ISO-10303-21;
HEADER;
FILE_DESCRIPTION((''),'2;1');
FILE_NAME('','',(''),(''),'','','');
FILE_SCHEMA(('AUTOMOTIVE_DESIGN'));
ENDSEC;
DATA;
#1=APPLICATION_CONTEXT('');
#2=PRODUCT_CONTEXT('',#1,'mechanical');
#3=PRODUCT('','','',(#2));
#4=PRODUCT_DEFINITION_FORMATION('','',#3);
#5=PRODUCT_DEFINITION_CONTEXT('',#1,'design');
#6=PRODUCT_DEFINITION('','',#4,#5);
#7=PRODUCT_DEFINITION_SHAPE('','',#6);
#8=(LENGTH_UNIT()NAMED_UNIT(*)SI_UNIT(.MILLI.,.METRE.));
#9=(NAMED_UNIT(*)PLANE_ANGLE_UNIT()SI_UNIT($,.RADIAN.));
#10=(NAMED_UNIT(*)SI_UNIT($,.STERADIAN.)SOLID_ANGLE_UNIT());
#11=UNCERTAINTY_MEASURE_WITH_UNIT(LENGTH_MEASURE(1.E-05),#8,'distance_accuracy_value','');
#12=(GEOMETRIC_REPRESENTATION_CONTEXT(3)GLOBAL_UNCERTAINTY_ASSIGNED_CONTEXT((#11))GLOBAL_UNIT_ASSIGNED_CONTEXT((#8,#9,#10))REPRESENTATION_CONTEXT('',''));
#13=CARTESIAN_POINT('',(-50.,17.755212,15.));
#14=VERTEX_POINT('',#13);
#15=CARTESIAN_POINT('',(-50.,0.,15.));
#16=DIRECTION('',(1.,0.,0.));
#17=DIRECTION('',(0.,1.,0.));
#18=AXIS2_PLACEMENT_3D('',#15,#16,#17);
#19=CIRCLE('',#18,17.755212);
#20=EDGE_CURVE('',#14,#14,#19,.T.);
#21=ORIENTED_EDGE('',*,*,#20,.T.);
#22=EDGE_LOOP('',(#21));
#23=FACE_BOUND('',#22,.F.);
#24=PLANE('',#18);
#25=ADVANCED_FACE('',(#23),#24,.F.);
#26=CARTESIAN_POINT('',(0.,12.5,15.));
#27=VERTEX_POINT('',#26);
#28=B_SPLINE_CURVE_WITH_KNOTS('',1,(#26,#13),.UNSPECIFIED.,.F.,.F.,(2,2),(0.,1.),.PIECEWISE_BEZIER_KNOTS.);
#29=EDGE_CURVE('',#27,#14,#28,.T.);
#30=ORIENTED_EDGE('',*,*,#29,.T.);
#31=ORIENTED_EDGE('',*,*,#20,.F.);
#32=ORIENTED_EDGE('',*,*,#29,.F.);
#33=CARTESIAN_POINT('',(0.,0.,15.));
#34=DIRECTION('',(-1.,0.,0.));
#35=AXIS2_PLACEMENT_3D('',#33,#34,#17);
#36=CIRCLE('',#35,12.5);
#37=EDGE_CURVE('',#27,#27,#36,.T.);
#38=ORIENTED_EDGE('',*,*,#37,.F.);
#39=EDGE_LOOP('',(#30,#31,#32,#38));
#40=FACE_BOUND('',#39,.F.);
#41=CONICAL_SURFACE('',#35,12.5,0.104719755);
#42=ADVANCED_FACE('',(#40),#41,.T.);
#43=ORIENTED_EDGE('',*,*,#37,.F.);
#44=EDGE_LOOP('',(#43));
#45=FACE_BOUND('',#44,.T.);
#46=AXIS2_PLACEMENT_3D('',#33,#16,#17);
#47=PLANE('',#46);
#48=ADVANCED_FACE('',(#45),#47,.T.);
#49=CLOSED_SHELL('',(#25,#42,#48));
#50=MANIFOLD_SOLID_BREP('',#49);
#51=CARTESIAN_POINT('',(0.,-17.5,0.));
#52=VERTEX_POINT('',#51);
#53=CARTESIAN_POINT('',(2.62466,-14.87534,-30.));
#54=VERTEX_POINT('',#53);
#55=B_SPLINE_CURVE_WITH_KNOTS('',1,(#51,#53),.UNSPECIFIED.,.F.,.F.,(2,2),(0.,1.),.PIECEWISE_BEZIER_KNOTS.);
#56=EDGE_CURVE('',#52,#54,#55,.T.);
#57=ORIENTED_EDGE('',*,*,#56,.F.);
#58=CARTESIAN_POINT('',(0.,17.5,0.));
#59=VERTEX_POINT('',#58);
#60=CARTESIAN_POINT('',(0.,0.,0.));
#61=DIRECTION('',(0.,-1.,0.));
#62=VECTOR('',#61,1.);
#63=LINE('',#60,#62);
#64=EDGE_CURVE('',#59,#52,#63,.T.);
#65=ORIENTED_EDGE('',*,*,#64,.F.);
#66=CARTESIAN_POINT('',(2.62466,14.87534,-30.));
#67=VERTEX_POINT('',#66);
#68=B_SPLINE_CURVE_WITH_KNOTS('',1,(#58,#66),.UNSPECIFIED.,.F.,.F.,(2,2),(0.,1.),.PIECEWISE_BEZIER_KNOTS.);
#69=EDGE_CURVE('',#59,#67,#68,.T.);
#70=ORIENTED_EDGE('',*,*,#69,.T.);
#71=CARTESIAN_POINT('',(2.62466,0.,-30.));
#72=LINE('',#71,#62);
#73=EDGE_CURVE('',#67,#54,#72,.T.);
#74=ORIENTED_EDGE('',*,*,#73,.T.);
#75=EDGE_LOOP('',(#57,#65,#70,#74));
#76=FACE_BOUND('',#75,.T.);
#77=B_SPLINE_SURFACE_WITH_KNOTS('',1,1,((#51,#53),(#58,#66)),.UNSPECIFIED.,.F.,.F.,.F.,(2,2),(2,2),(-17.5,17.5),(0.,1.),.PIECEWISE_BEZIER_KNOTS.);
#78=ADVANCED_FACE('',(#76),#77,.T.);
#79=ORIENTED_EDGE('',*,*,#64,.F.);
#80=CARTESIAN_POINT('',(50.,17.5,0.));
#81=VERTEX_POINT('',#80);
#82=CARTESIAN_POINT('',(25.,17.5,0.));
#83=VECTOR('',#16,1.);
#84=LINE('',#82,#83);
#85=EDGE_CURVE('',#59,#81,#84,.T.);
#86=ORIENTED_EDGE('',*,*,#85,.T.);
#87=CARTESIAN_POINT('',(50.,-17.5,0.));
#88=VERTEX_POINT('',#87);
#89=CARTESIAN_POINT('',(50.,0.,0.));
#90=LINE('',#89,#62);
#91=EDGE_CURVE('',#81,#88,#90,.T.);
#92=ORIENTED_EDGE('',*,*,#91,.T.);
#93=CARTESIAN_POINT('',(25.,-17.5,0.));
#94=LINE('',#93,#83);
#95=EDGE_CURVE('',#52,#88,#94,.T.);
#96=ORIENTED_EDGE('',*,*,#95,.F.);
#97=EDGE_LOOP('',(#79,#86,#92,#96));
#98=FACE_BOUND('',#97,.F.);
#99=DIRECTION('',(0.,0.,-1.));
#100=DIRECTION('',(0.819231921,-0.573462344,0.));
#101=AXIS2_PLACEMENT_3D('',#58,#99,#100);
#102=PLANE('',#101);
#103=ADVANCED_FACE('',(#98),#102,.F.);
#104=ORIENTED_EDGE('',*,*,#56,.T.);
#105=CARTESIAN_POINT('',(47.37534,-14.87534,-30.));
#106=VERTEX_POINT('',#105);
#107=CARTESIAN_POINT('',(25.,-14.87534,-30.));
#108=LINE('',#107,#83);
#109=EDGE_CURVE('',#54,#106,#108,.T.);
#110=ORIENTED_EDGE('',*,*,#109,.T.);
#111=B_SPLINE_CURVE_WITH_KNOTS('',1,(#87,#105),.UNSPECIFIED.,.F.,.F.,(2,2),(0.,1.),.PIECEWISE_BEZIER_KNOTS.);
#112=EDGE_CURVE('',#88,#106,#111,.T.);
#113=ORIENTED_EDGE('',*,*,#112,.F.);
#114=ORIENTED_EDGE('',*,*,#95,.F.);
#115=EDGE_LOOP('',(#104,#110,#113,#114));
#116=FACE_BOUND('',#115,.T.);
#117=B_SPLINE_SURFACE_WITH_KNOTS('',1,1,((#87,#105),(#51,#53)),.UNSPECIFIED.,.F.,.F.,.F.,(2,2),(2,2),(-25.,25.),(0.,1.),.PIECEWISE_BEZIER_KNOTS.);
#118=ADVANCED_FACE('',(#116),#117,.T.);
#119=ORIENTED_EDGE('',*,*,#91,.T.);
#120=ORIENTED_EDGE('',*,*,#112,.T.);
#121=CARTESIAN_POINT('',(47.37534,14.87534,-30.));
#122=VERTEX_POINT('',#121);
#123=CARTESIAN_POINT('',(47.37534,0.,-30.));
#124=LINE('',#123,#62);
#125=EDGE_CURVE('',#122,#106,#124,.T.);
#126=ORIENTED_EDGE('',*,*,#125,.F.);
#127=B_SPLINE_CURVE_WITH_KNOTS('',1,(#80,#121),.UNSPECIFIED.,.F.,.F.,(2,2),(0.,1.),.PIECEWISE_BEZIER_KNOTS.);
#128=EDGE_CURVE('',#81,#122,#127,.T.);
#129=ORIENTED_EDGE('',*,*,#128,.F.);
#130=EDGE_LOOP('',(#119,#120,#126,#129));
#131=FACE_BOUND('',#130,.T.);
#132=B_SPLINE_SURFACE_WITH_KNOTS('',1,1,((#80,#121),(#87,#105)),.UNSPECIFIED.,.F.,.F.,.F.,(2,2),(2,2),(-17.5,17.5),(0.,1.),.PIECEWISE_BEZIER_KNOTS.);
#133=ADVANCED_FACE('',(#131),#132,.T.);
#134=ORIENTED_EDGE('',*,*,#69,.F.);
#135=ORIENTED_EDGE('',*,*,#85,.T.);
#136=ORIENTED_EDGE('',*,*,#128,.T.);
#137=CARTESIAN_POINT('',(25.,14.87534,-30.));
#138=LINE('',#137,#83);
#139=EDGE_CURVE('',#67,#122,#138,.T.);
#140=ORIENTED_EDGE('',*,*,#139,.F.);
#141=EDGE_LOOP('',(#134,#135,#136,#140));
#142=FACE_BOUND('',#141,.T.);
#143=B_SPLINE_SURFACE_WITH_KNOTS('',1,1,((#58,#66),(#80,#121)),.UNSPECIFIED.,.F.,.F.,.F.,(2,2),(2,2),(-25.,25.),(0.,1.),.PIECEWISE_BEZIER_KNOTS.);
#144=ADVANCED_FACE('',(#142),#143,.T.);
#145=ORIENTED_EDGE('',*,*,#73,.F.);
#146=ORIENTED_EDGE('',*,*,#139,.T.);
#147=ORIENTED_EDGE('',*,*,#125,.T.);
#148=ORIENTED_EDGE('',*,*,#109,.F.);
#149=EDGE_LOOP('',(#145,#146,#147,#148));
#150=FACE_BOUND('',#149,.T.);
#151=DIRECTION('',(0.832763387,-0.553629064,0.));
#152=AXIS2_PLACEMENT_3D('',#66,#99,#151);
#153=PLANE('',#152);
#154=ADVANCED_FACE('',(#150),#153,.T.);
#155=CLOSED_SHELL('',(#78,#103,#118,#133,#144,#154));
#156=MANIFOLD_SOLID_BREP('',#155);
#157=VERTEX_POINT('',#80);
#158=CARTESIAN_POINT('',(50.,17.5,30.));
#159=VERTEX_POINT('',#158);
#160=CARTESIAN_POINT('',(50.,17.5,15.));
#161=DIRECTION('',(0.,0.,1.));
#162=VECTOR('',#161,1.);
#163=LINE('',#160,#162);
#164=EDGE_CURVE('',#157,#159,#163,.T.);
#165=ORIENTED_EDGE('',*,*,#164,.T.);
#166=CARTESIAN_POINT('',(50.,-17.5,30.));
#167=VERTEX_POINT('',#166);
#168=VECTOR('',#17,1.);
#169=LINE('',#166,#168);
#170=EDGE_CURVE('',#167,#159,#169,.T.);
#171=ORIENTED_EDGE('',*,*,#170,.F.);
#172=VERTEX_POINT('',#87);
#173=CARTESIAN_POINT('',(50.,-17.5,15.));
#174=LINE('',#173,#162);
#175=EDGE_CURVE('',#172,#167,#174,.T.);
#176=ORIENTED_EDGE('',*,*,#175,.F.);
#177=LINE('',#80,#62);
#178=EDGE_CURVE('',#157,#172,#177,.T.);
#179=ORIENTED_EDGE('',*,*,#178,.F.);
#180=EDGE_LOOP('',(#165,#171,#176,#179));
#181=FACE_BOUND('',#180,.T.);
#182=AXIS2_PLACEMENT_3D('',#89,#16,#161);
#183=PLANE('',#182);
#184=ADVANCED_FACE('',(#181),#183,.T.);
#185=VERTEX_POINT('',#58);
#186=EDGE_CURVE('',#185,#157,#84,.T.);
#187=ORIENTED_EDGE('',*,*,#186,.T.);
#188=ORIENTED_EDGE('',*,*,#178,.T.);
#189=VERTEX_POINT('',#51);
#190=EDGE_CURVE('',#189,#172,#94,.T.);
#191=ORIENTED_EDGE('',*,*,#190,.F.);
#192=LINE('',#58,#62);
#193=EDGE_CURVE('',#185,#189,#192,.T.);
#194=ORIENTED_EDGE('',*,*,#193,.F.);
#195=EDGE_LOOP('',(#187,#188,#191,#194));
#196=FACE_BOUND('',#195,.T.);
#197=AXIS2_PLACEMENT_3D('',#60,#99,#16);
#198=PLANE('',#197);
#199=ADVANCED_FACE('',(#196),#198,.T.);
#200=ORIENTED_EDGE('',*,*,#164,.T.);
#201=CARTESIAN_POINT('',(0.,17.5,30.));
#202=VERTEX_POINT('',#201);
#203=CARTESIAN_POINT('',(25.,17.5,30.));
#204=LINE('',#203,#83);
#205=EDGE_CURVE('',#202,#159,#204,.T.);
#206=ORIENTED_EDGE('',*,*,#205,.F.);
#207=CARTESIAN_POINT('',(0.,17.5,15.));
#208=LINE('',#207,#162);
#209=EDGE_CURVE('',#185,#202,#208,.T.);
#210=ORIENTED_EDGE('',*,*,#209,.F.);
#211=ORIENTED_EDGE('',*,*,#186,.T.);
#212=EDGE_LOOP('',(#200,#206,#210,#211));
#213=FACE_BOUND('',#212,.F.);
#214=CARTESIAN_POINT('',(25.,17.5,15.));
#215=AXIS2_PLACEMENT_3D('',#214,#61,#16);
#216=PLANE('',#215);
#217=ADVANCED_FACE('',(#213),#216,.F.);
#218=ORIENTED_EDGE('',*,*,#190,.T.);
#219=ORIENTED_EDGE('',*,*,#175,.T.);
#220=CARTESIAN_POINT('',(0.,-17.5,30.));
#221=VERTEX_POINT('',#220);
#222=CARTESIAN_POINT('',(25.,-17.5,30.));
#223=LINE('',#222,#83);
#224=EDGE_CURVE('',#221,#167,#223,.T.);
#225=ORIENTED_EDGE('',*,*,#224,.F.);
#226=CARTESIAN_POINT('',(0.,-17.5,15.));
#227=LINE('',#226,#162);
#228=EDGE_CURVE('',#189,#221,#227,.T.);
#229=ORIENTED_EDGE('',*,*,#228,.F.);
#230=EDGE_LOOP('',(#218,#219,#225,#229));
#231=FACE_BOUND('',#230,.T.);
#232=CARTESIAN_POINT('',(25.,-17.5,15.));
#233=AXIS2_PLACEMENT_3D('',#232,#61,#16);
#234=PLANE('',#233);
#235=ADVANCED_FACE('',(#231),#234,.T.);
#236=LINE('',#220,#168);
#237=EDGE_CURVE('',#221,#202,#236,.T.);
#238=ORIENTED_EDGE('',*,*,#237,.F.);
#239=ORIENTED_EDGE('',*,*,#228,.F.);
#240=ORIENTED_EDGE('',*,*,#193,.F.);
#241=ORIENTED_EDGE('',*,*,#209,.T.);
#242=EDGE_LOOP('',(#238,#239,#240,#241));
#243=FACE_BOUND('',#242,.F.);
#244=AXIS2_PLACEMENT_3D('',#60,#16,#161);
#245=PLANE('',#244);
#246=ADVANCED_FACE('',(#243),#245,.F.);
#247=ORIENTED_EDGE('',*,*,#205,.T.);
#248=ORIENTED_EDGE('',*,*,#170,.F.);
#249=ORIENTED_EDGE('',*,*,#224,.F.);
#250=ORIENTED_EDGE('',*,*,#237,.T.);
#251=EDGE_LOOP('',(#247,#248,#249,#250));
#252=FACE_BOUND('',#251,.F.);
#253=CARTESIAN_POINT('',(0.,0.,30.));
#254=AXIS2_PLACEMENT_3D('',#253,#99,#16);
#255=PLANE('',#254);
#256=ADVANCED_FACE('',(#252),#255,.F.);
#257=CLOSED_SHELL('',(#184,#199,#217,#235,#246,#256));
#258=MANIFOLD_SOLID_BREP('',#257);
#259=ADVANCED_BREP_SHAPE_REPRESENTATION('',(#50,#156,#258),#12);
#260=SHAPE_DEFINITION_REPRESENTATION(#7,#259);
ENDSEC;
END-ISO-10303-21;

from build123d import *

# Parameters (mm, degrees)
F0_W      = 50
F0_H      = 30
F1_DEPTH  = 17.5
F1_FACE_W = 50
F1_FACE_H = 35
F2_DEPTH  = 30
F2_TAPER  = 5
F3_R      = 12.5
F4_DEPTH  = 50
F4_TAPER  = -6


with BuildPart() as f1:
    # F0 (on Front) → F1 (new body, symmetric)
    with BuildSketch(Plane.XZ):
        with Locations((25, 15)):
            Rectangle(F0_W, F0_H)
    extrude(amount=F1_DEPTH, both=True)


with BuildPart() as f2:
    # F1_face (on face) → F2 (new body)
    with BuildSketch(Plane(origin=(25, 0, 0), x_dir=(1, 0, 0), z_dir=(0, 0, -1))):
        Rectangle(F1_FACE_W, F1_FACE_H)
    extrude(amount=F2_DEPTH, taper=F2_TAPER)


with BuildPart() as f4:
    # F3 (on Right) → F4 (new body)
    with BuildSketch(Plane.YZ):
        with Locations((0, 15)):
            Circle(F3_R)
    extrude(amount=-F4_DEPTH, taper=F4_TAPER)


solid = Compound([f1.part, f2.part, f4.part])
